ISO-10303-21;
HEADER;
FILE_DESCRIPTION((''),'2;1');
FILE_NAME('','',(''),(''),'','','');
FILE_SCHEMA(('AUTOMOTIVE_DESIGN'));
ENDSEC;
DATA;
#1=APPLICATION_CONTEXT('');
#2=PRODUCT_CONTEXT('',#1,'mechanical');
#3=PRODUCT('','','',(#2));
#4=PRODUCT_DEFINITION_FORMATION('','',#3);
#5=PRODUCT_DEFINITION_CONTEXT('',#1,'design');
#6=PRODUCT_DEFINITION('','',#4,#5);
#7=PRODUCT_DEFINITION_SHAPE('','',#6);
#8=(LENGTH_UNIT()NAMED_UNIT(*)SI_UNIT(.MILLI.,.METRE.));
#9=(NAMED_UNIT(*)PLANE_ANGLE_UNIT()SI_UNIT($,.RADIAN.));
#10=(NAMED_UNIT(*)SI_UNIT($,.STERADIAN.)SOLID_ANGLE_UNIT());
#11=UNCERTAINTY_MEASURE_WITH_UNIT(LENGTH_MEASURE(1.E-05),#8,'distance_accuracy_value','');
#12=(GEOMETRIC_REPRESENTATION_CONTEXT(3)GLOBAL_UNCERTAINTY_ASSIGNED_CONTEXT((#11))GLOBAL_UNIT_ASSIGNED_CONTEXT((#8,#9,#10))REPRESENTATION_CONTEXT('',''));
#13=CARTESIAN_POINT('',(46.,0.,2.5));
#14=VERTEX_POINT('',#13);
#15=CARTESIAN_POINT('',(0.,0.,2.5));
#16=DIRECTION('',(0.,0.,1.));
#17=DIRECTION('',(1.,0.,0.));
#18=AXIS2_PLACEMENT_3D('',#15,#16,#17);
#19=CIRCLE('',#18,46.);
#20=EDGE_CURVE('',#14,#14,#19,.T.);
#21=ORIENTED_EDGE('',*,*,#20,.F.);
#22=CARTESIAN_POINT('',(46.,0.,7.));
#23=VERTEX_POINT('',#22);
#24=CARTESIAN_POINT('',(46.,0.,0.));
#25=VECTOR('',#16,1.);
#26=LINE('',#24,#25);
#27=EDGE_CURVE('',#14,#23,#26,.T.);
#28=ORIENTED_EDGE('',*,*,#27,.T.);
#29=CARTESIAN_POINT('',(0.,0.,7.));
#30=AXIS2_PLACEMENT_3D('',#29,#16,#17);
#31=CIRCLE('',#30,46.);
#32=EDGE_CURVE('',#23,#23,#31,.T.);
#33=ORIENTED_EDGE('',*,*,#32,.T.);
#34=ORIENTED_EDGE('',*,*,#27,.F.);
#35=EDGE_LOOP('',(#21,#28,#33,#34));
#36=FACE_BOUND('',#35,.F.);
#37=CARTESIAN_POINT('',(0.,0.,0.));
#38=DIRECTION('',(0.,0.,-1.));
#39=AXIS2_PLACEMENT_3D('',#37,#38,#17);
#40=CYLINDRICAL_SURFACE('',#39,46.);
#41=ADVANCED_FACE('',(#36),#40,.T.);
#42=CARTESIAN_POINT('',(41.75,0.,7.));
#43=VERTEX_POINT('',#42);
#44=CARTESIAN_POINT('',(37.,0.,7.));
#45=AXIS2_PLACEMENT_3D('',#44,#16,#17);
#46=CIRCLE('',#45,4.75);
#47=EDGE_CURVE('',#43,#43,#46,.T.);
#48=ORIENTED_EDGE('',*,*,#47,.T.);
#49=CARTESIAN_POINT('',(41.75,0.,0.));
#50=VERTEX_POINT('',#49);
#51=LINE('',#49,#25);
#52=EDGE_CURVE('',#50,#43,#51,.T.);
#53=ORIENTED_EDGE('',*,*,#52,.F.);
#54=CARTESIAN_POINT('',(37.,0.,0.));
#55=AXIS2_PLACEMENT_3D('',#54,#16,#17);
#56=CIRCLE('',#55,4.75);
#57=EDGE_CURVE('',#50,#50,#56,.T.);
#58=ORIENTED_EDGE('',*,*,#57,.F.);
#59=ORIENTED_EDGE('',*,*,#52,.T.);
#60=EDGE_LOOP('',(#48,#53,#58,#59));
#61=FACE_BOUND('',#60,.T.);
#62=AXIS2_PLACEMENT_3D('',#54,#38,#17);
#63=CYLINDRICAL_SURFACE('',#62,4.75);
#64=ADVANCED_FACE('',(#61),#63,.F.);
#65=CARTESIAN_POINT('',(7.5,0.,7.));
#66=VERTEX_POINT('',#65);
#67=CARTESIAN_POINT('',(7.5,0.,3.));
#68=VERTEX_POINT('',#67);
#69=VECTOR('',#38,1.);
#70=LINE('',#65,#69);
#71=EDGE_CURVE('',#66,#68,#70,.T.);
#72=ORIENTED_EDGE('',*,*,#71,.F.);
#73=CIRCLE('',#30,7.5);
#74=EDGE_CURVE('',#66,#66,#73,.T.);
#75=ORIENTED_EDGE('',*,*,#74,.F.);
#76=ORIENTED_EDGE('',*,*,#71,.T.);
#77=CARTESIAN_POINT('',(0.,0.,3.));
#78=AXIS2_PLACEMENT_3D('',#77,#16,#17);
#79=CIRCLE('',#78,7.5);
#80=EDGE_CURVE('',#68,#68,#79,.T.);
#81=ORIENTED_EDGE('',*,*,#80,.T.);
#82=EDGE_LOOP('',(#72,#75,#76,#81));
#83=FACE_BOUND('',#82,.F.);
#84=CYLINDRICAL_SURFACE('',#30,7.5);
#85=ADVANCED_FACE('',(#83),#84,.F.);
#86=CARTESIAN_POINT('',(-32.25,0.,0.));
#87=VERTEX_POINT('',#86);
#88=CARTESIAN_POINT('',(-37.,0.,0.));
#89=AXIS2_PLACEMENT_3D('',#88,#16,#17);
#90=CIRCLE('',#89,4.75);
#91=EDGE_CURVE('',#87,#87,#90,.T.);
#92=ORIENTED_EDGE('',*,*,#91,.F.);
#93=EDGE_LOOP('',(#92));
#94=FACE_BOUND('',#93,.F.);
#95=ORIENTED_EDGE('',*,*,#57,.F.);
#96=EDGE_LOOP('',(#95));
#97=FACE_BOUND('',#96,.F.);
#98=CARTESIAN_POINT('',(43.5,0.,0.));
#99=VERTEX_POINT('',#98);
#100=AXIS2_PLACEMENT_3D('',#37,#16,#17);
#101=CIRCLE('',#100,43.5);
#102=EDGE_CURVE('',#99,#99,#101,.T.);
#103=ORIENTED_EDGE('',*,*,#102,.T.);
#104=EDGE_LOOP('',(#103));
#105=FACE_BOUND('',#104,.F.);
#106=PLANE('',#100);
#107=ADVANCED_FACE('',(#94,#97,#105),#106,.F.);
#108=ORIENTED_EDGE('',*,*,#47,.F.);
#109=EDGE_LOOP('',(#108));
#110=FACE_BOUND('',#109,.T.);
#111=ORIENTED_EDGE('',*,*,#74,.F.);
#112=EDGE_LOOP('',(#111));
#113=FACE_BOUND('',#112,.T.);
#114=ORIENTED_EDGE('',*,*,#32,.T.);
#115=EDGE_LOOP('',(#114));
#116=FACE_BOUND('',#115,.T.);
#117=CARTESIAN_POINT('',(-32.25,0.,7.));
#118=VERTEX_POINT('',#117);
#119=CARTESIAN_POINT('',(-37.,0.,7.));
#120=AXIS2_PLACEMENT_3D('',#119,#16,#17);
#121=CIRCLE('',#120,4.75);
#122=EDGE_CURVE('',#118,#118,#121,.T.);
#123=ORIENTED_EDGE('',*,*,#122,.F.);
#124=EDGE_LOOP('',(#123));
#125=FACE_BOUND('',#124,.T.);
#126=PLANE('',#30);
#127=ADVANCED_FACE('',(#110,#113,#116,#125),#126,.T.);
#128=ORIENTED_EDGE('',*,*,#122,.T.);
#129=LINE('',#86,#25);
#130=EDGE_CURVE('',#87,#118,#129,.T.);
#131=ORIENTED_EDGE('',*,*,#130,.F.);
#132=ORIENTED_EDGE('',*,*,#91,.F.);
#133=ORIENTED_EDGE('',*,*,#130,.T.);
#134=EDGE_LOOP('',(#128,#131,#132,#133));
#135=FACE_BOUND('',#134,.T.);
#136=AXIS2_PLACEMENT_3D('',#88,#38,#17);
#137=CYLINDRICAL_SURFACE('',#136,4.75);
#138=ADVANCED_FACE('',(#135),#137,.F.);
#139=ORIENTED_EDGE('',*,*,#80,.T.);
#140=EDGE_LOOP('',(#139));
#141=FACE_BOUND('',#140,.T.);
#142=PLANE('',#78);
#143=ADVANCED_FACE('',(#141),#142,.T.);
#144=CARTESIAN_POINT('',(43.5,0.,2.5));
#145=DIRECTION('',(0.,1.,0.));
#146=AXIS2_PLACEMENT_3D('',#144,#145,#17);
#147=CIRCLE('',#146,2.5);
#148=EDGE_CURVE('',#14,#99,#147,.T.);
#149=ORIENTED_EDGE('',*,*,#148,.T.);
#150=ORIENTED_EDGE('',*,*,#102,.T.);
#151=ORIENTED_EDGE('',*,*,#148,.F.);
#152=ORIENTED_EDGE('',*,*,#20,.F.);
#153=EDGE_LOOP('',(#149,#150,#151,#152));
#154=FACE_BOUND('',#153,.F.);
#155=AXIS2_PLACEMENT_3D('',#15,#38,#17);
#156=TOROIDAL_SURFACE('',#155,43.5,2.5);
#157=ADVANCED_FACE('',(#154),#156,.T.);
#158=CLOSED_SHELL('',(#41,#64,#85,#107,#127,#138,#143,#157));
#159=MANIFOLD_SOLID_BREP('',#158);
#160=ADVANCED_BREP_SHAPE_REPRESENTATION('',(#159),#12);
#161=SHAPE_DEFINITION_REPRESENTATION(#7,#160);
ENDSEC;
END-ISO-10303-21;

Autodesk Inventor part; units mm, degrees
ref_plane "YZ Plane" through (0, 0, 0) normal (1, 0, 0) x (0, 1, 0)
ref_plane "XZ Plane" through (0, 0, 0) normal (0, 1, 0) x (-1, 0, 0)
ref_plane "XY Plane" through (0, 0, 0) normal (0, 0, 1) x (1, 0, 0)
sketch "Sketch1" plane through (0, 0, 0) normal (0, 0, 1) x (1, 0, 0)
  circle A0 centre (0, 0) radius 46
  circle A1 centre (-37, 0) radius 4.75
  circle A2 centre (37, 0) radius 4.75
  dimension "d0" = 92
  dimension "d7" = 9.5
  dimension "d8" = 9.5
  dimension "d9" = 74
  dimension "d10" = 37
extrude "Extrusion1" add sketch "Sketch1" along normal blind 7
sketch "Sketch2" plane through (0, 0, 7) normal (0, 0, 1) x (1, 0, 0)
  circle A0 centre (0, 0) radius 46 projected
  circle A1 centre (0, 0) radius 7.5
  dimension "d3" = 15
extrude "Extrusion2" cut sketch "Sketch2" against normal blind 4 contours A1
fillet "Fillet1" radius 2.5 1 edges at (-46, 0, 0)
equation "\"d10\" = 0.5 * d9"
properties part number "ANTI-SKID PAD 100mm WITH ATTACHMENT BORES" material "Rubber"
